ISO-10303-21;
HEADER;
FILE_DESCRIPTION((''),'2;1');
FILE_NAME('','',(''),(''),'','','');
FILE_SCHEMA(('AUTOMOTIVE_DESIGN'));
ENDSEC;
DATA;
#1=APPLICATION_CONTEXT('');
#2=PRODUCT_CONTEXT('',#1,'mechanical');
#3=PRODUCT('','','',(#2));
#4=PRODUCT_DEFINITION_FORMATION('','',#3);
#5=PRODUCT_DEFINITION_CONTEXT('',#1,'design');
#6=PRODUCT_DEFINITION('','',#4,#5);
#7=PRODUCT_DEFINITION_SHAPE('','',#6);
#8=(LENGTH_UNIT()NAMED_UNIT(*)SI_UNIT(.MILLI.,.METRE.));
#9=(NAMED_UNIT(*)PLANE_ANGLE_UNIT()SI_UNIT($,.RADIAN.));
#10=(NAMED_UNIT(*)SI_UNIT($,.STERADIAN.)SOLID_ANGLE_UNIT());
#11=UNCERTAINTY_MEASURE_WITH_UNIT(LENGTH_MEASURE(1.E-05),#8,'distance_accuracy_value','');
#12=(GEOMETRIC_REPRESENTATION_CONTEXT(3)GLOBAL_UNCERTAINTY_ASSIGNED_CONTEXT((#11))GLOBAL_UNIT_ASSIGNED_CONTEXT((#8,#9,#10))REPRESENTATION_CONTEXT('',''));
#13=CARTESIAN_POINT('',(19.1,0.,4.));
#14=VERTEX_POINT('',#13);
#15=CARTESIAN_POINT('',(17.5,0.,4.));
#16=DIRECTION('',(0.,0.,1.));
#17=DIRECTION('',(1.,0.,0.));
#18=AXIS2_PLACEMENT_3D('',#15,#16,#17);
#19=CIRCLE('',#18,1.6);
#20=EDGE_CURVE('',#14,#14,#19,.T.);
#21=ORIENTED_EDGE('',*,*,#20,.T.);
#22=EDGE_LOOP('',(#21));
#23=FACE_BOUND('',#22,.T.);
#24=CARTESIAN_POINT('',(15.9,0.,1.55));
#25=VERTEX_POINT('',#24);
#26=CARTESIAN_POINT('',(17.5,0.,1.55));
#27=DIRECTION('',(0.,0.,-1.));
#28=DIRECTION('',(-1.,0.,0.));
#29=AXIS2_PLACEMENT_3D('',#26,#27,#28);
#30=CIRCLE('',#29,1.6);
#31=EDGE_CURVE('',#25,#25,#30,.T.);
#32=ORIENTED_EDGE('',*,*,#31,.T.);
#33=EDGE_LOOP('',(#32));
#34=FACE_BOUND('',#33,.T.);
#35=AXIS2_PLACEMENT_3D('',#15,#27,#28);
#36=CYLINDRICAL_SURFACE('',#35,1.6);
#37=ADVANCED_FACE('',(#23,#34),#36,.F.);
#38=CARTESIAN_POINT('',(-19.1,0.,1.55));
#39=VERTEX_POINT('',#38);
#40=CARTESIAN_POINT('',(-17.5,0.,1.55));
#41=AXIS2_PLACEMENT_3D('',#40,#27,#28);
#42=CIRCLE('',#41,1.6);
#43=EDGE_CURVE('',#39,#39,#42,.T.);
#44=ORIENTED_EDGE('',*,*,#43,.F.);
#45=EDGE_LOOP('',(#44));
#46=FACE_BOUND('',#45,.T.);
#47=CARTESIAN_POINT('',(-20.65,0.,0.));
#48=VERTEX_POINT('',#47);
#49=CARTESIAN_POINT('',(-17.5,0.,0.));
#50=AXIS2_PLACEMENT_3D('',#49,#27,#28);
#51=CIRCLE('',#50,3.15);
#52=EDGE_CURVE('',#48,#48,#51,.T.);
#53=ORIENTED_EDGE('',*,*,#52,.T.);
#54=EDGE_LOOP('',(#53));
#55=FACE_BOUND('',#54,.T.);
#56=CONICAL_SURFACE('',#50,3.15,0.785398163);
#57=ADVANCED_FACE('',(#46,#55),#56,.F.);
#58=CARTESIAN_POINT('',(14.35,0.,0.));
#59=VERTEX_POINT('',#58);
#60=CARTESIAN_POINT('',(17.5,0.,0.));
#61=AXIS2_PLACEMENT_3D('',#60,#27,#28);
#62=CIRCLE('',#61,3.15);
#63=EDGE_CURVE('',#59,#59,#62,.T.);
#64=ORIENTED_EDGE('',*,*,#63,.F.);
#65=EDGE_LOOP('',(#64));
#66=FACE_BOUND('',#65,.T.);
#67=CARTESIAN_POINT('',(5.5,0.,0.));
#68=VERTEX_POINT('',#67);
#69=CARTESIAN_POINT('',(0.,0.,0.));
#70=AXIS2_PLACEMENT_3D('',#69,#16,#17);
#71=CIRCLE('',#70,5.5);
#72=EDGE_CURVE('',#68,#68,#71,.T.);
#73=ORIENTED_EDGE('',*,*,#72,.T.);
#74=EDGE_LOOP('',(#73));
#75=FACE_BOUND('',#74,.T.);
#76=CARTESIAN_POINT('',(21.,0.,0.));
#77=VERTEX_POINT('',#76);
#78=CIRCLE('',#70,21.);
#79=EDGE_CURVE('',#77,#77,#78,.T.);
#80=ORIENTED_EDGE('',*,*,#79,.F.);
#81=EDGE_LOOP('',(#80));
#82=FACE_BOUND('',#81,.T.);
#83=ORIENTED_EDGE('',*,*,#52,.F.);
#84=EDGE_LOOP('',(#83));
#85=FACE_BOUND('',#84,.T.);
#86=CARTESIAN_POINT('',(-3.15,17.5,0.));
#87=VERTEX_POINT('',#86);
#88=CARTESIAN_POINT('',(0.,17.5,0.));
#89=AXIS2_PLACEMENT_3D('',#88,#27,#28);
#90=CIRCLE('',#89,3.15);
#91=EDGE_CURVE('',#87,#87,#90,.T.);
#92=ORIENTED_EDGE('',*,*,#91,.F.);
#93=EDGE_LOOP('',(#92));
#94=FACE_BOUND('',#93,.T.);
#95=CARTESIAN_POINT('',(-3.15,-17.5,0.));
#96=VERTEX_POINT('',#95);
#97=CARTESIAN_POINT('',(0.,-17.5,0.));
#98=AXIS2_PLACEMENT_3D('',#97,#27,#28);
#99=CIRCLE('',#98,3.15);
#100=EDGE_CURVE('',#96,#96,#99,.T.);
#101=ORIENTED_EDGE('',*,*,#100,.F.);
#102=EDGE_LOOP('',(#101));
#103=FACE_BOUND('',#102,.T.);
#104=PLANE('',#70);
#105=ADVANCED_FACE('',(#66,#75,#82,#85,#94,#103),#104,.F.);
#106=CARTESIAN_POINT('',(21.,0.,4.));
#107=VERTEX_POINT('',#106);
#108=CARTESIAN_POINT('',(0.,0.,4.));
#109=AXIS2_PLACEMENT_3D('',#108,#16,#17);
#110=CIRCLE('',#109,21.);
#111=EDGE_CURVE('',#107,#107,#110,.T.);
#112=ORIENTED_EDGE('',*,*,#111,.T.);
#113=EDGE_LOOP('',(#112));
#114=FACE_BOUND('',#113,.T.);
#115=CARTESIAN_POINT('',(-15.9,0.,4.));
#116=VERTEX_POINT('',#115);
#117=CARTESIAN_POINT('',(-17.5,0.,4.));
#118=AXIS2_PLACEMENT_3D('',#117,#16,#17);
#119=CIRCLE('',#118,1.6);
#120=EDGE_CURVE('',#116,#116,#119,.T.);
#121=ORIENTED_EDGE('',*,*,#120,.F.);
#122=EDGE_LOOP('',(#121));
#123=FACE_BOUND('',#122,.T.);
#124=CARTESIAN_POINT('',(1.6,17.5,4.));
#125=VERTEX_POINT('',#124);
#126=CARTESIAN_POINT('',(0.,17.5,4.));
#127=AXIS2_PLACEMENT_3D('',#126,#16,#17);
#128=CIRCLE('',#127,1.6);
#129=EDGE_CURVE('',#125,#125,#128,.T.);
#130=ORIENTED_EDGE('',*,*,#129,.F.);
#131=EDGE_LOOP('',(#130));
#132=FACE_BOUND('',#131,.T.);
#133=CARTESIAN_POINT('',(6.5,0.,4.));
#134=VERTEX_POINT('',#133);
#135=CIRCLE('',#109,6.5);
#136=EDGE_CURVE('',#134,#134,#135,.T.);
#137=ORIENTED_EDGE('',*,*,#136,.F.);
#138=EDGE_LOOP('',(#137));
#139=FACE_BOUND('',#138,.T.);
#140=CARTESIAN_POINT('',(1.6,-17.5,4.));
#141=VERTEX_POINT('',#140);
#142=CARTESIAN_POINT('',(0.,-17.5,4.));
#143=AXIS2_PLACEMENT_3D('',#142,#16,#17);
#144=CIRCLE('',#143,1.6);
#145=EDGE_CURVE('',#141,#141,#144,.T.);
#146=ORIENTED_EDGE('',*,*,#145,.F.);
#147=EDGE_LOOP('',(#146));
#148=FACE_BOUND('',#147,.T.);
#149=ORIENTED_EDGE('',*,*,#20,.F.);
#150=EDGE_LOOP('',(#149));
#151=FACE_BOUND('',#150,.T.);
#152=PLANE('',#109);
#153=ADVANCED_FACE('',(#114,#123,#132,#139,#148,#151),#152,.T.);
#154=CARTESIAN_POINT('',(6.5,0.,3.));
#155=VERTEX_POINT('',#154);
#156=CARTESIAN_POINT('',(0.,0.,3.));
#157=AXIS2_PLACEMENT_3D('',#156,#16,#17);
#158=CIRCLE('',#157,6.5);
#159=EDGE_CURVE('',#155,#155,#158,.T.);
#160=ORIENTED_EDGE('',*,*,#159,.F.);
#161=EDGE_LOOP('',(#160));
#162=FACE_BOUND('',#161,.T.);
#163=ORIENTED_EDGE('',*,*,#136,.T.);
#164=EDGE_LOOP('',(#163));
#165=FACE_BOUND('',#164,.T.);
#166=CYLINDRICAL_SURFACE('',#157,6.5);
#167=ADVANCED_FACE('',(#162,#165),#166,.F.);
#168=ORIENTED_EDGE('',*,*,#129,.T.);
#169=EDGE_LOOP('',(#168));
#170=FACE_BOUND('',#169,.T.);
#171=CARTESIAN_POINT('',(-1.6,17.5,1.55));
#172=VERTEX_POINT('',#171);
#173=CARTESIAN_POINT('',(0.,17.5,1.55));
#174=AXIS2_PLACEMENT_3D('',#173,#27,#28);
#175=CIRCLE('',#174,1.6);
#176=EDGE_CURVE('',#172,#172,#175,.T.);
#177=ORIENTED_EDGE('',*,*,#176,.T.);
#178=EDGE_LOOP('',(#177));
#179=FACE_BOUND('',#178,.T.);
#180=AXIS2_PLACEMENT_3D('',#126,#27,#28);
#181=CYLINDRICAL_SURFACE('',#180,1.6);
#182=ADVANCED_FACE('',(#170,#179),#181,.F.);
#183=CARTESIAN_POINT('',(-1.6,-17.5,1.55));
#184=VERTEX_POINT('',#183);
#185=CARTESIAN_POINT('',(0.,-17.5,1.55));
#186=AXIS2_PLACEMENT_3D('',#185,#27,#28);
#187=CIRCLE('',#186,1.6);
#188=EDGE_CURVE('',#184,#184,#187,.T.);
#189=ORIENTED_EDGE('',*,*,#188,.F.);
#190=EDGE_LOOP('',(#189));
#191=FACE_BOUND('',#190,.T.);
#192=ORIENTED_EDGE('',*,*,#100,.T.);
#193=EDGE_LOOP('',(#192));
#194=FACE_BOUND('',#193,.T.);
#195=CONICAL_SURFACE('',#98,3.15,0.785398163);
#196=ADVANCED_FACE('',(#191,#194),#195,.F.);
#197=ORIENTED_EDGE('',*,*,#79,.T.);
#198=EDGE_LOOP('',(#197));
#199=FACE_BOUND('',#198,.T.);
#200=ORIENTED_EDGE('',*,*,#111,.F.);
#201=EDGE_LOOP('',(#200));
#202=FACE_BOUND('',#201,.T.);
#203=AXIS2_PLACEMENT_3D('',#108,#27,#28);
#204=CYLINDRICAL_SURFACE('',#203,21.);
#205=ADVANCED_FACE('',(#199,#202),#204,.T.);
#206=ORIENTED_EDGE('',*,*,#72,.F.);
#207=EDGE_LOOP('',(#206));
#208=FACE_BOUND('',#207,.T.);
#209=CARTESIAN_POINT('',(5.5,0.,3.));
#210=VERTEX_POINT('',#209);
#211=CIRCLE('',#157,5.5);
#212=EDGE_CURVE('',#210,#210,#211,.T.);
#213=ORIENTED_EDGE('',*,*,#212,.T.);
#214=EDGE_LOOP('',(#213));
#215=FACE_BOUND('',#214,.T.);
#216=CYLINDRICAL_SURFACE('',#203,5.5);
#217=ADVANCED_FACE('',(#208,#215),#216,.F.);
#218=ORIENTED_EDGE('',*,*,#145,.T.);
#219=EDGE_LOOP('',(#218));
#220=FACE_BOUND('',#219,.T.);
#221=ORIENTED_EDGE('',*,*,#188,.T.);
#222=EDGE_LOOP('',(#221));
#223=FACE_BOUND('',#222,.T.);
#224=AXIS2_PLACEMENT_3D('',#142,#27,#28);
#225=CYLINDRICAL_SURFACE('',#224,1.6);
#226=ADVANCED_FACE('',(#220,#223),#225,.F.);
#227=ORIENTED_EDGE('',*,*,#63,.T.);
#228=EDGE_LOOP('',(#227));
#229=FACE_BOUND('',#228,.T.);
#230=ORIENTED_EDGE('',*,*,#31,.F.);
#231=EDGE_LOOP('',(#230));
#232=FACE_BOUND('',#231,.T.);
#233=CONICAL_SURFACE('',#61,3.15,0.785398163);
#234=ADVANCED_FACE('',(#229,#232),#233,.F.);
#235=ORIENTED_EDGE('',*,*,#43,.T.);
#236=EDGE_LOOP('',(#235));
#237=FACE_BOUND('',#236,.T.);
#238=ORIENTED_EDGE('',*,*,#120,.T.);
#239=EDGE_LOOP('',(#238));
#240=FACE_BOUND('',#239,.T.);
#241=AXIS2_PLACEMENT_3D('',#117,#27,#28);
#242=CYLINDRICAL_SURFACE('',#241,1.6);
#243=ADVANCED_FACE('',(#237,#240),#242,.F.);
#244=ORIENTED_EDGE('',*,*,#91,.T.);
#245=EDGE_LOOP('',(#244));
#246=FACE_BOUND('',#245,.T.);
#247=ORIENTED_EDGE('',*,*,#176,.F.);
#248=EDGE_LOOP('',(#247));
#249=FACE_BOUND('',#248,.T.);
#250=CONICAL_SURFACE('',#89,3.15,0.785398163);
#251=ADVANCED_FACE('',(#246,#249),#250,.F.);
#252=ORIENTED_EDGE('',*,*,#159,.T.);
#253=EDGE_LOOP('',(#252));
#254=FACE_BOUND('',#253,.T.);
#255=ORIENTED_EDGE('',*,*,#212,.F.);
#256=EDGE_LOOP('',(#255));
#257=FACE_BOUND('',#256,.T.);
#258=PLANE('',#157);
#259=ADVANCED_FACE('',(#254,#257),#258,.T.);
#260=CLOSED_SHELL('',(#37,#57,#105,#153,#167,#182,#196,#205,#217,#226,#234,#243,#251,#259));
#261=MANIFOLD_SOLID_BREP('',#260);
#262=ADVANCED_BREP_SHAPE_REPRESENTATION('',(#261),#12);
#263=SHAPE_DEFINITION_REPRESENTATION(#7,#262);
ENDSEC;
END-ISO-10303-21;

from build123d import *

# Parameters (mm, degrees)
SKETCH1_R                                       = 21
SKETCH1_R_2                                     = 1.6
SKETCH1_R_3                                     = 5.5
BOSS_EXTRUDE1_DEPTH                             = 4
SKETCH2_R                                       = 6.5
CUT_EXTRUDE1_DEPTH                              = 1
CSK_FOR_M3_FLAT_HEAD_MACHINE_SCREW1_D           = 3.2
CSK_FOR_M3_FLAT_HEAD_MACHINE_SCREW1_CSINK_D     = 6.3
CSK_FOR_M3_FLAT_HEAD_MACHINE_SCREW1_CSINK_ANGLE = 90


with BuildPart() as part:
    # Sketch1 → Boss-Extrude1 (new body)
    with BuildSketch(Plane.XY):
        Circle(SKETCH1_R)
        with Locations((0, 17.5)):
            Circle(SKETCH1_R_2, mode=Mode.SUBTRACT)
        with Locations((17.5, 0)):
            Circle(SKETCH1_R_2, mode=Mode.SUBTRACT)
        with Locations((0, -17.5)):
            Circle(SKETCH1_R_2, mode=Mode.SUBTRACT)
        with Locations((-17.5, 0)):
            Circle(SKETCH1_R_2, mode=Mode.SUBTRACT)
        Circle(SKETCH1_R_3, mode=Mode.SUBTRACT)
    extrude(amount=BOSS_EXTRUDE1_DEPTH)

    # Sketch2 → Cut-Extrude1 (cut)
    with BuildSketch(Plane.XY.offset(4)):
        Circle(SKETCH2_R)
    extrude(amount=-CUT_EXTRUDE1_DEPTH, mode=Mode.SUBTRACT)

    # CSK for M3 Flat Head Machine Screw1 (through all)
    with Locations(Plane(origin=(0, 0, 0), x_dir=(-1, 0, 0), z_dir=(0, 0, -1))):
        with Locations((17.5, 0), (0, 17.5), (-17.5, 0), (0, -17.5)):
            CounterSinkHole(CSK_FOR_M3_FLAT_HEAD_MACHINE_SCREW1_D / 2, CSK_FOR_M3_FLAT_HEAD_MACHINE_SCREW1_CSINK_D / 2, counter_sink_angle=CSK_FOR_M3_FLAT_HEAD_MACHINE_SCREW1_CSINK_ANGLE)


solid = part.part
